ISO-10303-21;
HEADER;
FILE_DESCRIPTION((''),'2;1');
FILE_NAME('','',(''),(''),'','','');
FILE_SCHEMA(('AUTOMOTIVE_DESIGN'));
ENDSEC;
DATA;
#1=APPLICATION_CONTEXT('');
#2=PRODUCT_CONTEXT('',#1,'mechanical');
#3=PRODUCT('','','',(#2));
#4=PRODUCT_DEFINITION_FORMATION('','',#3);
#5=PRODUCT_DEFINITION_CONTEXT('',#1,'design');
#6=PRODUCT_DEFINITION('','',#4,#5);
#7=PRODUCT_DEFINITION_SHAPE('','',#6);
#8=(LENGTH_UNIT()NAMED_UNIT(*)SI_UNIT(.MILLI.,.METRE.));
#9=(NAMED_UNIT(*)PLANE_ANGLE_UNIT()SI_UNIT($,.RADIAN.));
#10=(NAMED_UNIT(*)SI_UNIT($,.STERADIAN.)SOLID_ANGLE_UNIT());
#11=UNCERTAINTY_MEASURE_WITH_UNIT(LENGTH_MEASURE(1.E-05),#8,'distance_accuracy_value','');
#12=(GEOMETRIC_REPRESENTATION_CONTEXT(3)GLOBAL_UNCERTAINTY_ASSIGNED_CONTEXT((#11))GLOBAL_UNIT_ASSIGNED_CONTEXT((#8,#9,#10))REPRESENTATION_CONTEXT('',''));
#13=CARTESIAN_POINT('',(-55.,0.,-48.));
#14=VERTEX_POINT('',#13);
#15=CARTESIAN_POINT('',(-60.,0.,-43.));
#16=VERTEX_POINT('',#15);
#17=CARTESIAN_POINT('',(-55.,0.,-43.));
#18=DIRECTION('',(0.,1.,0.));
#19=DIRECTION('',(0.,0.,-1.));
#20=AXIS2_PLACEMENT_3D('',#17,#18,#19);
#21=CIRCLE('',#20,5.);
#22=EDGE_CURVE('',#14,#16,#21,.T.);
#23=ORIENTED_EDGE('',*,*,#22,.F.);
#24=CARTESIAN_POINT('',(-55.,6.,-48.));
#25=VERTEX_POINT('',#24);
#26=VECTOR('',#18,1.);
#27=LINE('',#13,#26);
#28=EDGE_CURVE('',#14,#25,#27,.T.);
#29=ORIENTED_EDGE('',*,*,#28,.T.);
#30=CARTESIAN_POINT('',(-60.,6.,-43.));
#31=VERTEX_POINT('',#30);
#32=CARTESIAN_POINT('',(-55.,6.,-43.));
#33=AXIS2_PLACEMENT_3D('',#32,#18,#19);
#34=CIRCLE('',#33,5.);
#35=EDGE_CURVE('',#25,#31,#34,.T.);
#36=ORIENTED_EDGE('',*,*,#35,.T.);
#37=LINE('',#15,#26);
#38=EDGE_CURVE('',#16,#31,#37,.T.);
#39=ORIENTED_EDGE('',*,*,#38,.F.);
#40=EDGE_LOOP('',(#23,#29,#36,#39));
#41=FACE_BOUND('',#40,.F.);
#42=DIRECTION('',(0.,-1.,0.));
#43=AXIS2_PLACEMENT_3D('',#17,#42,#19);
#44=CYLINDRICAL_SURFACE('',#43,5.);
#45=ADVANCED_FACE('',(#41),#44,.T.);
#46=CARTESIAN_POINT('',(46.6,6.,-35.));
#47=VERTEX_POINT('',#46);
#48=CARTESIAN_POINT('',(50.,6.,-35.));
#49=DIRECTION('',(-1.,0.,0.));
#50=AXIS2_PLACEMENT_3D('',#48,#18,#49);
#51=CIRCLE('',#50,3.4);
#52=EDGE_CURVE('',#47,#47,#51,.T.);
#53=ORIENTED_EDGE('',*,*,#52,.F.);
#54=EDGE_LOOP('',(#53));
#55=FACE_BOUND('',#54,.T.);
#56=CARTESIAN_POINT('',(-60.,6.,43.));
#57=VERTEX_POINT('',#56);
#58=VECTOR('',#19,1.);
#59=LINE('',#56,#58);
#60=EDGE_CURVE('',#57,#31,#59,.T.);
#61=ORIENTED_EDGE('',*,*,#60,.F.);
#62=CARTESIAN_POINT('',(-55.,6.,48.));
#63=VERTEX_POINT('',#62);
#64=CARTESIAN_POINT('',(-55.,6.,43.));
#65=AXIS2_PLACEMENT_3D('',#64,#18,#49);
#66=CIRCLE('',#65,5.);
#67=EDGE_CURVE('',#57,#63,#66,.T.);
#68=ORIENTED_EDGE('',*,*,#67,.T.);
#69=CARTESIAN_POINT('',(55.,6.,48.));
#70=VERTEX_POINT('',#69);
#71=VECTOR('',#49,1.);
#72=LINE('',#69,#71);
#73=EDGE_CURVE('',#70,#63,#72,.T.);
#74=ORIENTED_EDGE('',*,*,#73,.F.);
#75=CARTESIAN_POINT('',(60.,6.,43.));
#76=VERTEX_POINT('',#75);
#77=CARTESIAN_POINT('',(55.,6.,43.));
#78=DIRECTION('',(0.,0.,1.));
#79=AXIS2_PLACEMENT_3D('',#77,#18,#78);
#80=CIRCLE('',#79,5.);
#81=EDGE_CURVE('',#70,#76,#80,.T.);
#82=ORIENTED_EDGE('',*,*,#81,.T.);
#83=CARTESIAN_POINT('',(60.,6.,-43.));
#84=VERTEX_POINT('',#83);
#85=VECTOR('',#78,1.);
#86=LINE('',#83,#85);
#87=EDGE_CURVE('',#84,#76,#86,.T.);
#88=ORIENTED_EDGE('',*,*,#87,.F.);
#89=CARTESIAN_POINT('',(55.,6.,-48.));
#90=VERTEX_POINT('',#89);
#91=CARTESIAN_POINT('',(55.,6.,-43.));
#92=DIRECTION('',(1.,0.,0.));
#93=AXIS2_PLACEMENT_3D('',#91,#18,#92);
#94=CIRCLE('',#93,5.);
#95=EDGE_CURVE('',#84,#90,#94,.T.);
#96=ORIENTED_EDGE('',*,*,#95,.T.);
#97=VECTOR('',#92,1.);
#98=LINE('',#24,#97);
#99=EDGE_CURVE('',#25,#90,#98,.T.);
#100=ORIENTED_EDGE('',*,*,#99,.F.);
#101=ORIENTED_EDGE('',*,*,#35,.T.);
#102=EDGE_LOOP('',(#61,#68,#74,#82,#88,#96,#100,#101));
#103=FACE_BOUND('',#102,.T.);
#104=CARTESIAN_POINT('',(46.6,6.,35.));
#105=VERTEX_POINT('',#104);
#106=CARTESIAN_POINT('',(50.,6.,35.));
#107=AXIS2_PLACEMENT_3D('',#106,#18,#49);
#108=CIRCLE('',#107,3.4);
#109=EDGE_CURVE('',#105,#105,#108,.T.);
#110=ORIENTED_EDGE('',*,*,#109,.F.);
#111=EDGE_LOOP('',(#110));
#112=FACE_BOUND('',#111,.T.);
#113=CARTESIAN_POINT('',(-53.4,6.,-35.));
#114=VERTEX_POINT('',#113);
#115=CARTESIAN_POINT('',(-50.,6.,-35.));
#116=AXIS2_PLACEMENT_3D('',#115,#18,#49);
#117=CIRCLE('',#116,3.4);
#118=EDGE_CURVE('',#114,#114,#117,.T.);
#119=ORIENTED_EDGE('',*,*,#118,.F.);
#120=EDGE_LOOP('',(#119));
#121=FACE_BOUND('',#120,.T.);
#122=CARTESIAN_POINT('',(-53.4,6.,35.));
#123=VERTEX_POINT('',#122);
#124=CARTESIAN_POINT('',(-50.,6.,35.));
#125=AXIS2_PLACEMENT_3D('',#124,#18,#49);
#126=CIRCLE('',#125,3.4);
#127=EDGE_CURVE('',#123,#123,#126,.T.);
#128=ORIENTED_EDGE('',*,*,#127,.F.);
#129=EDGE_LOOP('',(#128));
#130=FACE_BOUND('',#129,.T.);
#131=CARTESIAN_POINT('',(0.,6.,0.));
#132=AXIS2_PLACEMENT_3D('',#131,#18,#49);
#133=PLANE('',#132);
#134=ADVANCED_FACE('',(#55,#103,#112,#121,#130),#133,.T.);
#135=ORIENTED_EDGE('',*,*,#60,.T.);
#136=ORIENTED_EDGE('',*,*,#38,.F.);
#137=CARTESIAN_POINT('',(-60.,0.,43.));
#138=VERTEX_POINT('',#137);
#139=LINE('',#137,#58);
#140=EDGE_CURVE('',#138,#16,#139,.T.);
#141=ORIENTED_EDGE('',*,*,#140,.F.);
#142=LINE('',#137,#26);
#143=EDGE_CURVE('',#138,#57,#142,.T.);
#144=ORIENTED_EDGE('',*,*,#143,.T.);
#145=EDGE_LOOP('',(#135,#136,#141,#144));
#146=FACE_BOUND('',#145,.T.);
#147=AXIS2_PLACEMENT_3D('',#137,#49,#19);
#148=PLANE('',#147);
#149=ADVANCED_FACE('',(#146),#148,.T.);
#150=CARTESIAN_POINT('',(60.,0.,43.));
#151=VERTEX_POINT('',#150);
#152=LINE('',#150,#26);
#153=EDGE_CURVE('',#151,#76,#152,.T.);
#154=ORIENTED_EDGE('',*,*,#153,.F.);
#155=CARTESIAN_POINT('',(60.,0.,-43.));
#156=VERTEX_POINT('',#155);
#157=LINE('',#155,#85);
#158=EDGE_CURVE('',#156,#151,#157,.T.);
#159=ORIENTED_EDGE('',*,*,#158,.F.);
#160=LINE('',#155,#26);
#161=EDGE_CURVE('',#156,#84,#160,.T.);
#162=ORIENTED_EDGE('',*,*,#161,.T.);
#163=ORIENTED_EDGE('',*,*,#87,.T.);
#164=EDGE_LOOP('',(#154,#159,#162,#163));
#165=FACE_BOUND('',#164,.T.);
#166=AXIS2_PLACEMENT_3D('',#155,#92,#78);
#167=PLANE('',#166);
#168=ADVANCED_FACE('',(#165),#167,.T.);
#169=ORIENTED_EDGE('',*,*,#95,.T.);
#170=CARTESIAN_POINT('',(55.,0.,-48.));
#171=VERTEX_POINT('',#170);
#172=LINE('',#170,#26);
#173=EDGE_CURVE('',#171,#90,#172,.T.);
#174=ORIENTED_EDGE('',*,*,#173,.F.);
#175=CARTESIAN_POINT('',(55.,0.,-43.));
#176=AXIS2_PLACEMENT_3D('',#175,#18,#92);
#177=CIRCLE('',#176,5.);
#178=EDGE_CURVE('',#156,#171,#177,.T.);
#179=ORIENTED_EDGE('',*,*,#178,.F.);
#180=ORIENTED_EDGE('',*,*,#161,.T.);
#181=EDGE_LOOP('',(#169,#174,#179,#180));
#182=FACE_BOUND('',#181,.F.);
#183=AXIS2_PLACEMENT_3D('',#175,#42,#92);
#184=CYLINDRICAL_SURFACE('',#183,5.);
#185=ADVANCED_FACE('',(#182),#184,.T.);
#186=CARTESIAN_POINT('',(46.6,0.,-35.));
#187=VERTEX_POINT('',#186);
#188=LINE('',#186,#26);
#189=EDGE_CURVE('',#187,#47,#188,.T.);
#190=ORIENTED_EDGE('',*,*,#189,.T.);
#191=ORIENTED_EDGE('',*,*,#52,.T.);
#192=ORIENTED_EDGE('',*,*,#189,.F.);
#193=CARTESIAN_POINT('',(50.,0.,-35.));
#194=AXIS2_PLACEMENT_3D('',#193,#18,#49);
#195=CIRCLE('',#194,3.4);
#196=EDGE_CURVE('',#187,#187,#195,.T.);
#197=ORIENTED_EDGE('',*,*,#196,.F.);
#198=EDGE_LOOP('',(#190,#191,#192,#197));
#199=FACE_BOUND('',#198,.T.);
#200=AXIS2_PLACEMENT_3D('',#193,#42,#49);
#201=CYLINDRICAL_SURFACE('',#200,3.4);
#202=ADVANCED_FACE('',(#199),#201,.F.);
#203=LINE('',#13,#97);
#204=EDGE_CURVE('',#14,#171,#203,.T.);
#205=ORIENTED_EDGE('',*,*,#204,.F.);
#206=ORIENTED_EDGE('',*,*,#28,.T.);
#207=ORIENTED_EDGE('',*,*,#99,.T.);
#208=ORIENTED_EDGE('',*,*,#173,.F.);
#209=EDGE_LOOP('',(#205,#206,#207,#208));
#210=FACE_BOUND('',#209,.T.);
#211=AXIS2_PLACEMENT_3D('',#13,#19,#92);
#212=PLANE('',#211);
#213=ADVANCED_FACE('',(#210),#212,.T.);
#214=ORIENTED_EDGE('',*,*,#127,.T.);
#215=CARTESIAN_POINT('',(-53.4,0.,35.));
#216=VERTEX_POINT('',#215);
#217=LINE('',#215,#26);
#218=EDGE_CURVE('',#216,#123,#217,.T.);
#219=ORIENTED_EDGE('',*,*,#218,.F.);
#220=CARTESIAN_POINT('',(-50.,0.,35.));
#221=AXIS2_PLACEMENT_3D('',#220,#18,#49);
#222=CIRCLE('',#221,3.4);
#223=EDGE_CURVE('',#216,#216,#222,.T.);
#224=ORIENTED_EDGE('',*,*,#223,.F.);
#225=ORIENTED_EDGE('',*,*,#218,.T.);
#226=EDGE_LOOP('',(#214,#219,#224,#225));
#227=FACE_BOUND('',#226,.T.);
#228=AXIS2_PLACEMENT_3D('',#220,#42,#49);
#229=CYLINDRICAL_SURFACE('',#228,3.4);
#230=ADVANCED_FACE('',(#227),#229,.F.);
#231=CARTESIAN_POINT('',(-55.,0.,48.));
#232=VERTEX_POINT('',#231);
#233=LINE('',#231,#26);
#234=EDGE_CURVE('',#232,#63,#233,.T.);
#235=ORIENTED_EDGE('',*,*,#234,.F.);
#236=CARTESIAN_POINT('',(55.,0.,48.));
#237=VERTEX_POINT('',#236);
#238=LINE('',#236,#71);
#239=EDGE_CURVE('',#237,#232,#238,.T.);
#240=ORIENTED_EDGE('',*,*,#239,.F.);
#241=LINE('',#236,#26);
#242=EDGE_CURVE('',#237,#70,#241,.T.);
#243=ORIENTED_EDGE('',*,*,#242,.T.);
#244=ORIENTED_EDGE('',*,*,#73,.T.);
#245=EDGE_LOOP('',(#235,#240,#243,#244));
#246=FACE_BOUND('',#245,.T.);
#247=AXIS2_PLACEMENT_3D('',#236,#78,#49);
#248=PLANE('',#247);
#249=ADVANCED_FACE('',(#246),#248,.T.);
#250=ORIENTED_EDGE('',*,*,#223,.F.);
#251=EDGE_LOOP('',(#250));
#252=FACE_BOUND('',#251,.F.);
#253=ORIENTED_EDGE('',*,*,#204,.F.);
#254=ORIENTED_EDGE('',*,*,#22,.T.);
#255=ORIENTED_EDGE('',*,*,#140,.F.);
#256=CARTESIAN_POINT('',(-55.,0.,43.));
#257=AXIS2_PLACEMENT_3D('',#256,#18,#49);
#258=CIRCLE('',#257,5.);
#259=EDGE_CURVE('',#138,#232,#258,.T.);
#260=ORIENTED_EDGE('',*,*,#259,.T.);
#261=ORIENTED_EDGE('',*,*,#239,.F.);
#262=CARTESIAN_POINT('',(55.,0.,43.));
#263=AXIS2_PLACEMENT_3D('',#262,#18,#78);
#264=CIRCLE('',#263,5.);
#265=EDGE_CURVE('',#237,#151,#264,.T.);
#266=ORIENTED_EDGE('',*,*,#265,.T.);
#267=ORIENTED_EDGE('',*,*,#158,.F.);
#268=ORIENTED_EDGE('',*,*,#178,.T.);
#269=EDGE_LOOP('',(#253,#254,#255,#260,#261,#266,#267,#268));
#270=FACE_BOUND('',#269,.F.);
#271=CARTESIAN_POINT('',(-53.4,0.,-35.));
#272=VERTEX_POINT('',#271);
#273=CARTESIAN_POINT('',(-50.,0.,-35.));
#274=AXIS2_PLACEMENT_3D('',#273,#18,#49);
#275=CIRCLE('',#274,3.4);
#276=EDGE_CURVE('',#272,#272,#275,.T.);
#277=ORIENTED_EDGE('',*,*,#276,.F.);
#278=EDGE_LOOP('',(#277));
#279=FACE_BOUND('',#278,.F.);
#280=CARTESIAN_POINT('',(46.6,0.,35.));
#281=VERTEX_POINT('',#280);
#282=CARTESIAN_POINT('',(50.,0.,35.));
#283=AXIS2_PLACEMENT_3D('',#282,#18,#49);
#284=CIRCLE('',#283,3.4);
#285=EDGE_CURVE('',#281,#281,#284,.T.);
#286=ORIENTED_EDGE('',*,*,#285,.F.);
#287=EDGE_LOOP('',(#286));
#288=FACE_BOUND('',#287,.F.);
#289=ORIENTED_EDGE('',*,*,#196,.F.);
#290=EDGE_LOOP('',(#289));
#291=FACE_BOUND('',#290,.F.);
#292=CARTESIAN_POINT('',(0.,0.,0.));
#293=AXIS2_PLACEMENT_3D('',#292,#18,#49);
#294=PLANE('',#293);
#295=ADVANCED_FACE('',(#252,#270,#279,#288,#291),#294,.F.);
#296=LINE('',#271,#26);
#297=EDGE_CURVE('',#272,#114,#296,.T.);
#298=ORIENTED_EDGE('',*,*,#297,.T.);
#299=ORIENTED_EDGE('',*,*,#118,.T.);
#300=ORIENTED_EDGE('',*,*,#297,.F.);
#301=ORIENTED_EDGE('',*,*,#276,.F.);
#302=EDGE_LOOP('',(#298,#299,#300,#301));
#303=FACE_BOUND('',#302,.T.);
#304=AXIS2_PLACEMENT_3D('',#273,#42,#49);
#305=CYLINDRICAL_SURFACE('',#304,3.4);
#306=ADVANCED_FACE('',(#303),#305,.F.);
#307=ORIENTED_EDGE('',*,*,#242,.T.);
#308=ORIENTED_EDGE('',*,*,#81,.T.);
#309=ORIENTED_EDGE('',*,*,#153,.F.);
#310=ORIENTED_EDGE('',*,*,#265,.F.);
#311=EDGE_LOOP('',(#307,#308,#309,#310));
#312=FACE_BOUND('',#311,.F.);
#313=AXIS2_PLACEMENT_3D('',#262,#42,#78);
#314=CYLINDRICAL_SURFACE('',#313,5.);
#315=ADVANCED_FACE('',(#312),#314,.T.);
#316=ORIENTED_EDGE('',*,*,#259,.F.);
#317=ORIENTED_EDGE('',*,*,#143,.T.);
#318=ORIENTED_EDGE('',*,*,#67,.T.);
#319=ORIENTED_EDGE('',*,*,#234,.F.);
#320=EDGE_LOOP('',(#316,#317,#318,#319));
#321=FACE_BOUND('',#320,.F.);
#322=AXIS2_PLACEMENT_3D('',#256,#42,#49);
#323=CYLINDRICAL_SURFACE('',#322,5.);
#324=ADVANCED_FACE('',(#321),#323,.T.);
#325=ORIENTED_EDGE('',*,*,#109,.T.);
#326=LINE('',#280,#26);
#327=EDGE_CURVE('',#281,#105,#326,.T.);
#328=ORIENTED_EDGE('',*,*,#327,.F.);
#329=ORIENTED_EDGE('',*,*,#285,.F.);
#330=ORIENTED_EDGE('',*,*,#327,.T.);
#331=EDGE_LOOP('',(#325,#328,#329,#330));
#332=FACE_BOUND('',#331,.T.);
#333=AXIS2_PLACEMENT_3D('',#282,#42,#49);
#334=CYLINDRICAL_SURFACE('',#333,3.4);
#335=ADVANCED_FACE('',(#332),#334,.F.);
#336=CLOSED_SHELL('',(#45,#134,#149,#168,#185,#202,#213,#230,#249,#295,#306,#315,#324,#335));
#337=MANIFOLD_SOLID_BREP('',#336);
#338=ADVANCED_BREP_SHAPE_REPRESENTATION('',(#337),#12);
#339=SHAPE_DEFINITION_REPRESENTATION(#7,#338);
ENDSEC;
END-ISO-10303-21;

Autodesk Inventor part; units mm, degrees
ref_plane "YZ Plane" through (0, 0, 0) normal (1, 0, 0) x (0, 1, 0)
ref_plane "XZ Plane" through (0, 0, 0) normal (0, 1, 0) x (-1, 0, 0)
ref_plane "XY Plane" through (0, 0, 0) normal (0, 0, 1) x (1, 0, 0)
sketch "Sketch1" plane through (0, 0, 0) normal (0, 1, 0) x (-1, 0, 0)
  line L0 (55, -48) -> (-55, -48)
  line L1 (-60, -43) -> (-60, 43)
  line L2 (-55, 48) -> (55, 48)
  line L3 (60, 43) -> (60, -43)
  line L4 (50, -35) -> (-50, -35) construction
  line L5 (-50, -35) -> (-50, 35) construction
  line L6 (-50, 35) -> (50, 35) construction
  line L7 (50, 35) -> (50, -35) construction
  arc A0 (60, 43) -> (55, 48) centre (55, 43) ccw
  arc A1 (-55, 48) -> (-60, 43) centre (-55, 43) ccw
  arc A2 (-60, -43) -> (-55, -48) centre (-55, -43) ccw
  arc A3 (55, -48) -> (60, -43) centre (55, -43) ccw
  circle A4 centre (50, -35) radius 3.4
  circle A5 centre (50, 35) radius 3.4
  circle A6 centre (-50, -35) radius 3.4
  circle A7 centre (-50, 35) radius 3.4
  line L8 (0, -20) -> (0, 20) construction
  line L9 (25, -20) -> (25, 20) construction
  line L10 (-25, 20) -> (-25, -20) construction
  arc A8 (-25, -20) -> (25, -20) centre (0, -20) ccw construction
  arc A9 (25, 20) -> (-25, 20) centre (0, 20) ccw construction
  point P0 (0, 0)
  point P1 (-60, 0)
  point P2 (0, -48)
  point P3 (0, -35)
  point P4 (-50, 0)
  point P5 (0, 0)
  dimension "d0" = 96
  dimension "d1" = 120
  dimension "d2" = 70
  dimension "d3" = 100
  dimension "d4" = 5
  dimension "d5" = 6.8
  dimension "d6" = 6.8
  dimension "d8" = 6.8
  dimension "d10" = 6.8
  dimension "d13" = 25
  dimension "d14" = 40
extrude "Extrusion1" add sketch "Sketch1" along normal blind 6
equation "\"d0\" = moduleHeight"
equation "\"d1\" = moduleWidth"
equation "\"d2\" = moduleMountH"
equation "\"d3\" = moduleMountW"
equation "\"d4\" = moduleCornerR"
equation "\"d5\" = moduleMountD"
equation "\"d6\" = moduleMountD"
equation "\"d8\" = moduleMountD"
equation "\"d10\" = moduleMountD"
equation "\"d13\" = moduleOpeningR"
equation "\"d14\" = moduleOpeningH"
equation "\"d15\" = thickness"
equation "\"moduleWidth\" = 120"
equation "\"moduleHeight\" = 96"
equation "\"moduleMountW\" = 100"
equation "\"moduleMountH\" = 70"
equation "\"moduleMountD\" = 6.8"
equation "\"moduleCornerR\" = 5"
equation "\"moduleOpeningR\" = 25"
equation "\"moduleOpeningH\" = 40"
equation "\"thickness\" = 6"
properties part number "Module_base"
